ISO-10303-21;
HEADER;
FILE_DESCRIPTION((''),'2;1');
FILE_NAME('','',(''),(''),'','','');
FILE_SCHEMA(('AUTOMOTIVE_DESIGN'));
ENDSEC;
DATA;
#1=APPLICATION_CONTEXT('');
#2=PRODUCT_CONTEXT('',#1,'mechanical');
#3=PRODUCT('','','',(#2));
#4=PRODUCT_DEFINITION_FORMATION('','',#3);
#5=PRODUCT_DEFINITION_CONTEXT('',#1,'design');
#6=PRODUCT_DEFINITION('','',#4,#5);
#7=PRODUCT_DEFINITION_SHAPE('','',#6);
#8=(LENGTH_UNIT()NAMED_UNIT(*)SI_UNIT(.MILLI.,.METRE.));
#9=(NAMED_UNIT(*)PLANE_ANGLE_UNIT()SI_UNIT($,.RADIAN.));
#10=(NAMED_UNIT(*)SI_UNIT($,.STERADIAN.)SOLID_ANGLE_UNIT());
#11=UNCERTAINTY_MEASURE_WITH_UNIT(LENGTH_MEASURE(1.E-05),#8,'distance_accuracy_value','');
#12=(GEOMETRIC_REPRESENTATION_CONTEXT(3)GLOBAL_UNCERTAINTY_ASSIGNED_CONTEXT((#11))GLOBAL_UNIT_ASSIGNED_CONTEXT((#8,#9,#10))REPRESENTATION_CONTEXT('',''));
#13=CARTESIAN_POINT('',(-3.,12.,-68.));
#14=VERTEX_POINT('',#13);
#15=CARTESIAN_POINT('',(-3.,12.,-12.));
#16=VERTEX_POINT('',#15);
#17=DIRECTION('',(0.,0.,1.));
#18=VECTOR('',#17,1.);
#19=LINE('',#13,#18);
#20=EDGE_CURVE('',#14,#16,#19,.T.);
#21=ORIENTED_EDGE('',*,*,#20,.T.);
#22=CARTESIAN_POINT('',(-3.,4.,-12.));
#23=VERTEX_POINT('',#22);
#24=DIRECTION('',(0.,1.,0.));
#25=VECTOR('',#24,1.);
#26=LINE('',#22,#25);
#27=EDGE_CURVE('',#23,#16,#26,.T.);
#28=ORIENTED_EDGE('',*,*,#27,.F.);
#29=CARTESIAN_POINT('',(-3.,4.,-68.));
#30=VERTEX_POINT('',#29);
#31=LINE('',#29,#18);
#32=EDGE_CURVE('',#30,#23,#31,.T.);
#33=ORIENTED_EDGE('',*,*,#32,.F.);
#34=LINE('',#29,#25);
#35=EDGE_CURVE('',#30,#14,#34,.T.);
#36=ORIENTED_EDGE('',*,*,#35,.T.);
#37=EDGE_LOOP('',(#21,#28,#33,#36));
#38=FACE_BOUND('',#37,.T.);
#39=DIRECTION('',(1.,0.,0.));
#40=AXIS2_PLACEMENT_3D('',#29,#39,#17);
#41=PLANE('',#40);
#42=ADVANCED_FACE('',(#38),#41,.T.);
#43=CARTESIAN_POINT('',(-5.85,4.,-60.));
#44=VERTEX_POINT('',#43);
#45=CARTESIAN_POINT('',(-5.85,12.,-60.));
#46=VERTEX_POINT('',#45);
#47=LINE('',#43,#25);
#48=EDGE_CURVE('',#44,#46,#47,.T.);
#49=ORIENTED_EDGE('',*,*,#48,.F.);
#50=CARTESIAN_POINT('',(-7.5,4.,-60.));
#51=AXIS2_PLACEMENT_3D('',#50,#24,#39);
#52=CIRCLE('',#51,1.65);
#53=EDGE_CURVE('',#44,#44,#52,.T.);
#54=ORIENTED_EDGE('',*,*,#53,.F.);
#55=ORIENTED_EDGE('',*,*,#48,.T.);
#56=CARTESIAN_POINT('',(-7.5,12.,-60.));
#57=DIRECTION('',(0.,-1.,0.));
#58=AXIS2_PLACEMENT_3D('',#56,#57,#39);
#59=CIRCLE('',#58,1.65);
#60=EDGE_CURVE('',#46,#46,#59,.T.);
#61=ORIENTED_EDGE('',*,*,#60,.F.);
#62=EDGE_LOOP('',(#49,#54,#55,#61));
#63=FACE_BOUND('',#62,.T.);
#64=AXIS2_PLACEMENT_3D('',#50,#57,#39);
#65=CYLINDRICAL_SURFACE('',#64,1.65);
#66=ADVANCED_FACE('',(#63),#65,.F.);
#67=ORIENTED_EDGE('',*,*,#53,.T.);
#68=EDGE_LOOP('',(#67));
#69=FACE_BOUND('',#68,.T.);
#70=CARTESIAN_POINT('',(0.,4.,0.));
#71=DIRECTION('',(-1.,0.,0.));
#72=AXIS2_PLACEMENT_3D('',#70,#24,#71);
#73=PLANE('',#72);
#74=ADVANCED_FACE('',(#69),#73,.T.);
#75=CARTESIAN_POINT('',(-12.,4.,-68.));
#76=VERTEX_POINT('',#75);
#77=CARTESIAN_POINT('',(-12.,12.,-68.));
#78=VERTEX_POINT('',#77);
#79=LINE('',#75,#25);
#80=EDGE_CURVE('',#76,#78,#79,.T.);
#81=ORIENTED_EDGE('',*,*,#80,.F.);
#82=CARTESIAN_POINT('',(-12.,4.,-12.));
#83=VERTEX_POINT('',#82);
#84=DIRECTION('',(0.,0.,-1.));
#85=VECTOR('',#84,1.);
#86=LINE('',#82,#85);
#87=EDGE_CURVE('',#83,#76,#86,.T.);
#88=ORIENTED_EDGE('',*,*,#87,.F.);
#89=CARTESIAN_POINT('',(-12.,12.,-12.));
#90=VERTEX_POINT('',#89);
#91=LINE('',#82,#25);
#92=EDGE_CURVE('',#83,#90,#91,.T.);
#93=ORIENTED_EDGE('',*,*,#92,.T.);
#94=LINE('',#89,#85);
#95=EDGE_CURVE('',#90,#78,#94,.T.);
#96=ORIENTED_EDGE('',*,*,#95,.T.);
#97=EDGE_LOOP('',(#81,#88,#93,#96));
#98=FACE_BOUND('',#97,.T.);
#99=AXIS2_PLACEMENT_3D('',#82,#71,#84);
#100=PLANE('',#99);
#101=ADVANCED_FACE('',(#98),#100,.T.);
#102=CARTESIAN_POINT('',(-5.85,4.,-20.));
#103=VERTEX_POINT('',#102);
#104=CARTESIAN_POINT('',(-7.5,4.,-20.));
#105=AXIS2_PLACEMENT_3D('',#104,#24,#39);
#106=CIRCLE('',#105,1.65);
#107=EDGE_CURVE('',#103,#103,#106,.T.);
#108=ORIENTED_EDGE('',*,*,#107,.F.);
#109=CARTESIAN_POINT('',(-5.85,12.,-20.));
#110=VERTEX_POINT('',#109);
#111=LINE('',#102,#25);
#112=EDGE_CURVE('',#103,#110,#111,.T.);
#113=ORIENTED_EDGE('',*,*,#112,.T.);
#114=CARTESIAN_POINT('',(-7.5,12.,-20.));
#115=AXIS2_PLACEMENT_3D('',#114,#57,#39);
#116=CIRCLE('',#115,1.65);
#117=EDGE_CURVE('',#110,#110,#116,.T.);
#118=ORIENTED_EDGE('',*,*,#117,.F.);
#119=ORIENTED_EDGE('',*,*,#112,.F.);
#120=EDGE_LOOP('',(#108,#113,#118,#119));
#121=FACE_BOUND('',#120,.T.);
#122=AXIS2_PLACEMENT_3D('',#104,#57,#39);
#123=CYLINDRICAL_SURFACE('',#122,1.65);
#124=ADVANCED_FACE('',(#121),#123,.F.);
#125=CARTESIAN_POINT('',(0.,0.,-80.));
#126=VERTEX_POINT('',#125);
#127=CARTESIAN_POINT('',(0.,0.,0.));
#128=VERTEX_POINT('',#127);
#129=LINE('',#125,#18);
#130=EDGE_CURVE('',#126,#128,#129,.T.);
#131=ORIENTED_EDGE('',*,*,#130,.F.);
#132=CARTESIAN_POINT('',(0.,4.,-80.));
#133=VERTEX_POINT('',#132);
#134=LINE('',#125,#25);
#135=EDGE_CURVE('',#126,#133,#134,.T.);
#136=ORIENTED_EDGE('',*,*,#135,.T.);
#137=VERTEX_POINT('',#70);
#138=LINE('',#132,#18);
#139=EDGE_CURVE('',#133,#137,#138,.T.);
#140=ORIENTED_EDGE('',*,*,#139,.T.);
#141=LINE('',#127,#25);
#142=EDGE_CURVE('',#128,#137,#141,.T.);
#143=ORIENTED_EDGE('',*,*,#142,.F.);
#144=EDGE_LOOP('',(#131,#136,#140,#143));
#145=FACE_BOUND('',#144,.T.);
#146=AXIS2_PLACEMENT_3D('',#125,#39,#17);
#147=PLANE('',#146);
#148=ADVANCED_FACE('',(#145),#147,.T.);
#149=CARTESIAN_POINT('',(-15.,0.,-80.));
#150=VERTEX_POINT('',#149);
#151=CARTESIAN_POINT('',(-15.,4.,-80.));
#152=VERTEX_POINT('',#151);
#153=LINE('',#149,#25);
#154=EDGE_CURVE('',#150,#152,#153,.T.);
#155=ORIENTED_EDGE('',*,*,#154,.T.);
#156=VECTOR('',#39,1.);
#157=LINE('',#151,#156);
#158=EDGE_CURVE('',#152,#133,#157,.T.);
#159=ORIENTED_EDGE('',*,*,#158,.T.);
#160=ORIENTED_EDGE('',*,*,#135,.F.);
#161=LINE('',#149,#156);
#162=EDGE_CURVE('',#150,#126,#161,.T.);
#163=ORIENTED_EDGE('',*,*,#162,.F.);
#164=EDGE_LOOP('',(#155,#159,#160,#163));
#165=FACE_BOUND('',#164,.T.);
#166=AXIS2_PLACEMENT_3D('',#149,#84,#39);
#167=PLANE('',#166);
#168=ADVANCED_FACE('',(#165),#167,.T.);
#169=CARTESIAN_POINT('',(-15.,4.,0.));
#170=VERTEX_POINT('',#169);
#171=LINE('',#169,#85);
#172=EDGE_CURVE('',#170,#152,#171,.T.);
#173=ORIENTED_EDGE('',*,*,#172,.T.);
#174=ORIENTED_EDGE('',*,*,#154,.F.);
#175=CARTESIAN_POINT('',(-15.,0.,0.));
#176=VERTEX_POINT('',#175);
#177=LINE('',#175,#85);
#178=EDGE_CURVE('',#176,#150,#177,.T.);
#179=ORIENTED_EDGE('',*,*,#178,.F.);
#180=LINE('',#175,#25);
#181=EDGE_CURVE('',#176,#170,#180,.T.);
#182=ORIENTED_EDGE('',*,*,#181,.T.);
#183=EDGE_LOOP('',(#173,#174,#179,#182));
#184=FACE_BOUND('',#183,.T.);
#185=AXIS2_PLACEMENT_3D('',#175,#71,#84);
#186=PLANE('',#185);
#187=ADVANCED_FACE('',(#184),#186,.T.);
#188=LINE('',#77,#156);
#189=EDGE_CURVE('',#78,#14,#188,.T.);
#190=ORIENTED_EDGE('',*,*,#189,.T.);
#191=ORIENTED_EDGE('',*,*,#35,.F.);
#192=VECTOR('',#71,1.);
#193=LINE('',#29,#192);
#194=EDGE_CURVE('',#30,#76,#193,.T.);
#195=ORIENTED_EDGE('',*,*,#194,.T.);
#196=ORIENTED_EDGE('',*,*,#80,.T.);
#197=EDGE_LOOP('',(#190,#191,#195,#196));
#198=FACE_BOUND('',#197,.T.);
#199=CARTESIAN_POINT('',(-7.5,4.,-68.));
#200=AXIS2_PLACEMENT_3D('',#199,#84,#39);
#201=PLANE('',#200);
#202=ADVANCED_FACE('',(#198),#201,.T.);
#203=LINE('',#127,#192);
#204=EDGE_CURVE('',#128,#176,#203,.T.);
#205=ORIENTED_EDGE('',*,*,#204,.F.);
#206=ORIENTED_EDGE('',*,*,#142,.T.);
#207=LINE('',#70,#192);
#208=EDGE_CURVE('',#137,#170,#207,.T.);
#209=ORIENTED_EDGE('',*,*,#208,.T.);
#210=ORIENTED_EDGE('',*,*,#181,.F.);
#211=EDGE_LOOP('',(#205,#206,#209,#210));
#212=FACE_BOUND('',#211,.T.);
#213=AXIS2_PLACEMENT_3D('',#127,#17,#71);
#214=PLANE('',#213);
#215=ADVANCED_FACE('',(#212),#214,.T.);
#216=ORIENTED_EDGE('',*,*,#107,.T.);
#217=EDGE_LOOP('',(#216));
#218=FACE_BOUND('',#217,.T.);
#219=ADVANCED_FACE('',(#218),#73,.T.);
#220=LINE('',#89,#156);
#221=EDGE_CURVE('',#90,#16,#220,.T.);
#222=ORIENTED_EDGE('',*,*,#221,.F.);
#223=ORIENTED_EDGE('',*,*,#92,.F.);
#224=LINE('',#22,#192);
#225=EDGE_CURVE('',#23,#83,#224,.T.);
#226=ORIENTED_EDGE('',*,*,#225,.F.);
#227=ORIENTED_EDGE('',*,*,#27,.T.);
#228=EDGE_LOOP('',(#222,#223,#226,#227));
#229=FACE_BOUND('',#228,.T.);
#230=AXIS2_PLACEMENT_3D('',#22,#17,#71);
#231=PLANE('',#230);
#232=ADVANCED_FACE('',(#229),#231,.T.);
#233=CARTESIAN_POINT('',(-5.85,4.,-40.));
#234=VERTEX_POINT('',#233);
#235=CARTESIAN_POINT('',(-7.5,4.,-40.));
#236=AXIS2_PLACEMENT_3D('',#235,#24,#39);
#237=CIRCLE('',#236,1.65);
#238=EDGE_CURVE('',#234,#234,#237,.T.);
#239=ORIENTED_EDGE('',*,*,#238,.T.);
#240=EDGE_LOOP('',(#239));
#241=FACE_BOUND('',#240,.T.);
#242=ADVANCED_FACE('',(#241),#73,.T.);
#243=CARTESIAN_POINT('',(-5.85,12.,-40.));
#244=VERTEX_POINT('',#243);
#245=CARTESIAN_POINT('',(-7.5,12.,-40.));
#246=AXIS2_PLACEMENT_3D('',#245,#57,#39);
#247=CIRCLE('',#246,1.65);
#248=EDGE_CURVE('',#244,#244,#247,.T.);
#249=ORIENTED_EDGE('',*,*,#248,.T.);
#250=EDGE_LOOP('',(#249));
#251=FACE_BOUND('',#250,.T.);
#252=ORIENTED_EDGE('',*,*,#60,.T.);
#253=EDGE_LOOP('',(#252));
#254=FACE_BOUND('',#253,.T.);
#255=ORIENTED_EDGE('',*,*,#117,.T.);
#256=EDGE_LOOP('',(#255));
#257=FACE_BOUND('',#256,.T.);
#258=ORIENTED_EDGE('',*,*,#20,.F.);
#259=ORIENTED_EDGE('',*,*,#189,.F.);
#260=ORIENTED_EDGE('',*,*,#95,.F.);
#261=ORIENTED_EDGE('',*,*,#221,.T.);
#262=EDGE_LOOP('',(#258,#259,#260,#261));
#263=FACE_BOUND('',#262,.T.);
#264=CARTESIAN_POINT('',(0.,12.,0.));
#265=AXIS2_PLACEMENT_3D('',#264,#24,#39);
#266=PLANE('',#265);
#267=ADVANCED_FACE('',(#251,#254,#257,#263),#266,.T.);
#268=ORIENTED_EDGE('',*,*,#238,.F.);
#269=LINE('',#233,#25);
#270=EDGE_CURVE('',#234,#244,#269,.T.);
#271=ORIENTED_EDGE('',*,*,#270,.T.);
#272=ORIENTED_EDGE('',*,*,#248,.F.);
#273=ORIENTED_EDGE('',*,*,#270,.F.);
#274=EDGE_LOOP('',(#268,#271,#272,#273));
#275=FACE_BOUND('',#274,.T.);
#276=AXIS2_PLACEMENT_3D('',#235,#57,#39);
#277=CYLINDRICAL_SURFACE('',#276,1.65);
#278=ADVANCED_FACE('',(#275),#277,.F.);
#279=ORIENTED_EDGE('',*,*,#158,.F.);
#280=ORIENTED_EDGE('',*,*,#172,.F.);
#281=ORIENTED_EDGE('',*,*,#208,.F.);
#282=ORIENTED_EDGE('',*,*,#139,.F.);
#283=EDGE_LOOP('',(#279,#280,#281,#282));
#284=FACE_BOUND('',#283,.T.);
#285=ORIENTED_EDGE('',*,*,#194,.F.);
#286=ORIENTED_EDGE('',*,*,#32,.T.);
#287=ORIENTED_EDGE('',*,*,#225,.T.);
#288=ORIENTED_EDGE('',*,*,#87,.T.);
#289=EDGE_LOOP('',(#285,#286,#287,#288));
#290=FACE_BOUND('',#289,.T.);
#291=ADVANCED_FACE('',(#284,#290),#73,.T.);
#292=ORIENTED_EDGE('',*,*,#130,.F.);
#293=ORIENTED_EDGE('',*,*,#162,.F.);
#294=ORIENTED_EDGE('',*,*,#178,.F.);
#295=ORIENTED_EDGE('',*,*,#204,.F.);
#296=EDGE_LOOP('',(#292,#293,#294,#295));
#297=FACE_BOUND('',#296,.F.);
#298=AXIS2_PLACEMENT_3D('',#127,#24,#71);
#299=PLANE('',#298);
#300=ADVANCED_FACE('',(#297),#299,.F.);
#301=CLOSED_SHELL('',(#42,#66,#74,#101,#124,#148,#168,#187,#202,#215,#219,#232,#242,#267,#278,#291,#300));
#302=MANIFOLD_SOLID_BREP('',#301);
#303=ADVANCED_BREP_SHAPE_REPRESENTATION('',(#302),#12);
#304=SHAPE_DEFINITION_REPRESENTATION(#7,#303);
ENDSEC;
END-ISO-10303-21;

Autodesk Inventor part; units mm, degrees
ref_plane "YZ Plane" through (0, 0, 0) normal (1, 0, 0) x (0, 1, 0)
ref_plane "XZ Plane" through (0, 0, 0) normal (0, 1, 0) x (-1, 0, 0)
ref_plane "XY Plane" through (0, 0, 0) normal (0, 0, 1) x (1, 0, 0)
sketch "Sketch1" plane through (0, 0, 0) normal (0, 1, 0) x (-1, 0, 0)
  line L0 (0, 0) -> (15, 0)
  line L1 (15, 0) -> (15, -80)
  line L2 (15, -80) -> (0, -80)
  line L3 (0, -80) -> (0, 0)
  dimension "d0" = 15
  dimension "d1" = 80
extrude "Extrusion1" add sketch "Sketch1" along normal blind 4
sketch "Sketch2" plane through (0, 4, 0) normal (0, 1, 0) x (1, 0, 0)
  line L0 (-15, 80) -> (-15, 0) projected
  line L1 (0, 0) -> (0, 80) projected
  line L2 (-15, 80) -> (0, 80)
  line L3 (0, 80) -> (0, 0)
  line L4 (0, 0) -> (-15, 0)
  line L5 (-15, 0) -> (-15, 80)
  line L6 (-15, 0) -> (0, 0) projected
  line L7 (-15, 80) -> (-7.5, 80)
  line L8 (-7.5, 80) -> (-7.5, 0)
  line L9 (-7.5, 0) -> (-15, 0)
  line L10 (-15, 0) -> (-15, 80)
  line L11 (-7.5, 0) -> (-7.5, 20)
  line L12 (-7.5, 20) -> (-7.5, 40)
  line L13 (-7.5, 40) -> (-7.5, 60)
  circle A0 centre (-7.5, 60) radius 1.65
  circle A1 centre (-7.5, 40) radius 1.65
  circle A2 centre (-7.5, 20) radius 1.65
  line L14 (-7.5, 80) -> (-7.5, 68)
  line L15 (-7.5, 0) -> (-7.5, 12)
  line L16 (-12, 68) -> (-3, 68)
  line L17 (-3, 68) -> (-3, 12)
  line L18 (-3, 12) -> (-12, 12)
  line L19 (-12, 12) -> (-12, 68)
  dimension "d4" = 20
  dimension "d5" = 20
  dimension "d6" = 20
  dimension "d7" = 3.3
  dimension "d8" = 3.3
  dimension "d9" = 3.3
  dimension "d10" = 12
  dimension "d11" = 12
  dimension "d12" = 9
extrude "Extrusion2" add sketch "Sketch2" along normal blind 8 contours L16 L17 L18 L8 A2 A1 A0 | L8 A0 A1 A2 L18 L19 L16
sketch "Sketch3" plane through (-3, 4, -12) normal (1, 0, 0) x (0, 0, -1)
  point P0 (-12, -4)
properties part number "Pin holder"
